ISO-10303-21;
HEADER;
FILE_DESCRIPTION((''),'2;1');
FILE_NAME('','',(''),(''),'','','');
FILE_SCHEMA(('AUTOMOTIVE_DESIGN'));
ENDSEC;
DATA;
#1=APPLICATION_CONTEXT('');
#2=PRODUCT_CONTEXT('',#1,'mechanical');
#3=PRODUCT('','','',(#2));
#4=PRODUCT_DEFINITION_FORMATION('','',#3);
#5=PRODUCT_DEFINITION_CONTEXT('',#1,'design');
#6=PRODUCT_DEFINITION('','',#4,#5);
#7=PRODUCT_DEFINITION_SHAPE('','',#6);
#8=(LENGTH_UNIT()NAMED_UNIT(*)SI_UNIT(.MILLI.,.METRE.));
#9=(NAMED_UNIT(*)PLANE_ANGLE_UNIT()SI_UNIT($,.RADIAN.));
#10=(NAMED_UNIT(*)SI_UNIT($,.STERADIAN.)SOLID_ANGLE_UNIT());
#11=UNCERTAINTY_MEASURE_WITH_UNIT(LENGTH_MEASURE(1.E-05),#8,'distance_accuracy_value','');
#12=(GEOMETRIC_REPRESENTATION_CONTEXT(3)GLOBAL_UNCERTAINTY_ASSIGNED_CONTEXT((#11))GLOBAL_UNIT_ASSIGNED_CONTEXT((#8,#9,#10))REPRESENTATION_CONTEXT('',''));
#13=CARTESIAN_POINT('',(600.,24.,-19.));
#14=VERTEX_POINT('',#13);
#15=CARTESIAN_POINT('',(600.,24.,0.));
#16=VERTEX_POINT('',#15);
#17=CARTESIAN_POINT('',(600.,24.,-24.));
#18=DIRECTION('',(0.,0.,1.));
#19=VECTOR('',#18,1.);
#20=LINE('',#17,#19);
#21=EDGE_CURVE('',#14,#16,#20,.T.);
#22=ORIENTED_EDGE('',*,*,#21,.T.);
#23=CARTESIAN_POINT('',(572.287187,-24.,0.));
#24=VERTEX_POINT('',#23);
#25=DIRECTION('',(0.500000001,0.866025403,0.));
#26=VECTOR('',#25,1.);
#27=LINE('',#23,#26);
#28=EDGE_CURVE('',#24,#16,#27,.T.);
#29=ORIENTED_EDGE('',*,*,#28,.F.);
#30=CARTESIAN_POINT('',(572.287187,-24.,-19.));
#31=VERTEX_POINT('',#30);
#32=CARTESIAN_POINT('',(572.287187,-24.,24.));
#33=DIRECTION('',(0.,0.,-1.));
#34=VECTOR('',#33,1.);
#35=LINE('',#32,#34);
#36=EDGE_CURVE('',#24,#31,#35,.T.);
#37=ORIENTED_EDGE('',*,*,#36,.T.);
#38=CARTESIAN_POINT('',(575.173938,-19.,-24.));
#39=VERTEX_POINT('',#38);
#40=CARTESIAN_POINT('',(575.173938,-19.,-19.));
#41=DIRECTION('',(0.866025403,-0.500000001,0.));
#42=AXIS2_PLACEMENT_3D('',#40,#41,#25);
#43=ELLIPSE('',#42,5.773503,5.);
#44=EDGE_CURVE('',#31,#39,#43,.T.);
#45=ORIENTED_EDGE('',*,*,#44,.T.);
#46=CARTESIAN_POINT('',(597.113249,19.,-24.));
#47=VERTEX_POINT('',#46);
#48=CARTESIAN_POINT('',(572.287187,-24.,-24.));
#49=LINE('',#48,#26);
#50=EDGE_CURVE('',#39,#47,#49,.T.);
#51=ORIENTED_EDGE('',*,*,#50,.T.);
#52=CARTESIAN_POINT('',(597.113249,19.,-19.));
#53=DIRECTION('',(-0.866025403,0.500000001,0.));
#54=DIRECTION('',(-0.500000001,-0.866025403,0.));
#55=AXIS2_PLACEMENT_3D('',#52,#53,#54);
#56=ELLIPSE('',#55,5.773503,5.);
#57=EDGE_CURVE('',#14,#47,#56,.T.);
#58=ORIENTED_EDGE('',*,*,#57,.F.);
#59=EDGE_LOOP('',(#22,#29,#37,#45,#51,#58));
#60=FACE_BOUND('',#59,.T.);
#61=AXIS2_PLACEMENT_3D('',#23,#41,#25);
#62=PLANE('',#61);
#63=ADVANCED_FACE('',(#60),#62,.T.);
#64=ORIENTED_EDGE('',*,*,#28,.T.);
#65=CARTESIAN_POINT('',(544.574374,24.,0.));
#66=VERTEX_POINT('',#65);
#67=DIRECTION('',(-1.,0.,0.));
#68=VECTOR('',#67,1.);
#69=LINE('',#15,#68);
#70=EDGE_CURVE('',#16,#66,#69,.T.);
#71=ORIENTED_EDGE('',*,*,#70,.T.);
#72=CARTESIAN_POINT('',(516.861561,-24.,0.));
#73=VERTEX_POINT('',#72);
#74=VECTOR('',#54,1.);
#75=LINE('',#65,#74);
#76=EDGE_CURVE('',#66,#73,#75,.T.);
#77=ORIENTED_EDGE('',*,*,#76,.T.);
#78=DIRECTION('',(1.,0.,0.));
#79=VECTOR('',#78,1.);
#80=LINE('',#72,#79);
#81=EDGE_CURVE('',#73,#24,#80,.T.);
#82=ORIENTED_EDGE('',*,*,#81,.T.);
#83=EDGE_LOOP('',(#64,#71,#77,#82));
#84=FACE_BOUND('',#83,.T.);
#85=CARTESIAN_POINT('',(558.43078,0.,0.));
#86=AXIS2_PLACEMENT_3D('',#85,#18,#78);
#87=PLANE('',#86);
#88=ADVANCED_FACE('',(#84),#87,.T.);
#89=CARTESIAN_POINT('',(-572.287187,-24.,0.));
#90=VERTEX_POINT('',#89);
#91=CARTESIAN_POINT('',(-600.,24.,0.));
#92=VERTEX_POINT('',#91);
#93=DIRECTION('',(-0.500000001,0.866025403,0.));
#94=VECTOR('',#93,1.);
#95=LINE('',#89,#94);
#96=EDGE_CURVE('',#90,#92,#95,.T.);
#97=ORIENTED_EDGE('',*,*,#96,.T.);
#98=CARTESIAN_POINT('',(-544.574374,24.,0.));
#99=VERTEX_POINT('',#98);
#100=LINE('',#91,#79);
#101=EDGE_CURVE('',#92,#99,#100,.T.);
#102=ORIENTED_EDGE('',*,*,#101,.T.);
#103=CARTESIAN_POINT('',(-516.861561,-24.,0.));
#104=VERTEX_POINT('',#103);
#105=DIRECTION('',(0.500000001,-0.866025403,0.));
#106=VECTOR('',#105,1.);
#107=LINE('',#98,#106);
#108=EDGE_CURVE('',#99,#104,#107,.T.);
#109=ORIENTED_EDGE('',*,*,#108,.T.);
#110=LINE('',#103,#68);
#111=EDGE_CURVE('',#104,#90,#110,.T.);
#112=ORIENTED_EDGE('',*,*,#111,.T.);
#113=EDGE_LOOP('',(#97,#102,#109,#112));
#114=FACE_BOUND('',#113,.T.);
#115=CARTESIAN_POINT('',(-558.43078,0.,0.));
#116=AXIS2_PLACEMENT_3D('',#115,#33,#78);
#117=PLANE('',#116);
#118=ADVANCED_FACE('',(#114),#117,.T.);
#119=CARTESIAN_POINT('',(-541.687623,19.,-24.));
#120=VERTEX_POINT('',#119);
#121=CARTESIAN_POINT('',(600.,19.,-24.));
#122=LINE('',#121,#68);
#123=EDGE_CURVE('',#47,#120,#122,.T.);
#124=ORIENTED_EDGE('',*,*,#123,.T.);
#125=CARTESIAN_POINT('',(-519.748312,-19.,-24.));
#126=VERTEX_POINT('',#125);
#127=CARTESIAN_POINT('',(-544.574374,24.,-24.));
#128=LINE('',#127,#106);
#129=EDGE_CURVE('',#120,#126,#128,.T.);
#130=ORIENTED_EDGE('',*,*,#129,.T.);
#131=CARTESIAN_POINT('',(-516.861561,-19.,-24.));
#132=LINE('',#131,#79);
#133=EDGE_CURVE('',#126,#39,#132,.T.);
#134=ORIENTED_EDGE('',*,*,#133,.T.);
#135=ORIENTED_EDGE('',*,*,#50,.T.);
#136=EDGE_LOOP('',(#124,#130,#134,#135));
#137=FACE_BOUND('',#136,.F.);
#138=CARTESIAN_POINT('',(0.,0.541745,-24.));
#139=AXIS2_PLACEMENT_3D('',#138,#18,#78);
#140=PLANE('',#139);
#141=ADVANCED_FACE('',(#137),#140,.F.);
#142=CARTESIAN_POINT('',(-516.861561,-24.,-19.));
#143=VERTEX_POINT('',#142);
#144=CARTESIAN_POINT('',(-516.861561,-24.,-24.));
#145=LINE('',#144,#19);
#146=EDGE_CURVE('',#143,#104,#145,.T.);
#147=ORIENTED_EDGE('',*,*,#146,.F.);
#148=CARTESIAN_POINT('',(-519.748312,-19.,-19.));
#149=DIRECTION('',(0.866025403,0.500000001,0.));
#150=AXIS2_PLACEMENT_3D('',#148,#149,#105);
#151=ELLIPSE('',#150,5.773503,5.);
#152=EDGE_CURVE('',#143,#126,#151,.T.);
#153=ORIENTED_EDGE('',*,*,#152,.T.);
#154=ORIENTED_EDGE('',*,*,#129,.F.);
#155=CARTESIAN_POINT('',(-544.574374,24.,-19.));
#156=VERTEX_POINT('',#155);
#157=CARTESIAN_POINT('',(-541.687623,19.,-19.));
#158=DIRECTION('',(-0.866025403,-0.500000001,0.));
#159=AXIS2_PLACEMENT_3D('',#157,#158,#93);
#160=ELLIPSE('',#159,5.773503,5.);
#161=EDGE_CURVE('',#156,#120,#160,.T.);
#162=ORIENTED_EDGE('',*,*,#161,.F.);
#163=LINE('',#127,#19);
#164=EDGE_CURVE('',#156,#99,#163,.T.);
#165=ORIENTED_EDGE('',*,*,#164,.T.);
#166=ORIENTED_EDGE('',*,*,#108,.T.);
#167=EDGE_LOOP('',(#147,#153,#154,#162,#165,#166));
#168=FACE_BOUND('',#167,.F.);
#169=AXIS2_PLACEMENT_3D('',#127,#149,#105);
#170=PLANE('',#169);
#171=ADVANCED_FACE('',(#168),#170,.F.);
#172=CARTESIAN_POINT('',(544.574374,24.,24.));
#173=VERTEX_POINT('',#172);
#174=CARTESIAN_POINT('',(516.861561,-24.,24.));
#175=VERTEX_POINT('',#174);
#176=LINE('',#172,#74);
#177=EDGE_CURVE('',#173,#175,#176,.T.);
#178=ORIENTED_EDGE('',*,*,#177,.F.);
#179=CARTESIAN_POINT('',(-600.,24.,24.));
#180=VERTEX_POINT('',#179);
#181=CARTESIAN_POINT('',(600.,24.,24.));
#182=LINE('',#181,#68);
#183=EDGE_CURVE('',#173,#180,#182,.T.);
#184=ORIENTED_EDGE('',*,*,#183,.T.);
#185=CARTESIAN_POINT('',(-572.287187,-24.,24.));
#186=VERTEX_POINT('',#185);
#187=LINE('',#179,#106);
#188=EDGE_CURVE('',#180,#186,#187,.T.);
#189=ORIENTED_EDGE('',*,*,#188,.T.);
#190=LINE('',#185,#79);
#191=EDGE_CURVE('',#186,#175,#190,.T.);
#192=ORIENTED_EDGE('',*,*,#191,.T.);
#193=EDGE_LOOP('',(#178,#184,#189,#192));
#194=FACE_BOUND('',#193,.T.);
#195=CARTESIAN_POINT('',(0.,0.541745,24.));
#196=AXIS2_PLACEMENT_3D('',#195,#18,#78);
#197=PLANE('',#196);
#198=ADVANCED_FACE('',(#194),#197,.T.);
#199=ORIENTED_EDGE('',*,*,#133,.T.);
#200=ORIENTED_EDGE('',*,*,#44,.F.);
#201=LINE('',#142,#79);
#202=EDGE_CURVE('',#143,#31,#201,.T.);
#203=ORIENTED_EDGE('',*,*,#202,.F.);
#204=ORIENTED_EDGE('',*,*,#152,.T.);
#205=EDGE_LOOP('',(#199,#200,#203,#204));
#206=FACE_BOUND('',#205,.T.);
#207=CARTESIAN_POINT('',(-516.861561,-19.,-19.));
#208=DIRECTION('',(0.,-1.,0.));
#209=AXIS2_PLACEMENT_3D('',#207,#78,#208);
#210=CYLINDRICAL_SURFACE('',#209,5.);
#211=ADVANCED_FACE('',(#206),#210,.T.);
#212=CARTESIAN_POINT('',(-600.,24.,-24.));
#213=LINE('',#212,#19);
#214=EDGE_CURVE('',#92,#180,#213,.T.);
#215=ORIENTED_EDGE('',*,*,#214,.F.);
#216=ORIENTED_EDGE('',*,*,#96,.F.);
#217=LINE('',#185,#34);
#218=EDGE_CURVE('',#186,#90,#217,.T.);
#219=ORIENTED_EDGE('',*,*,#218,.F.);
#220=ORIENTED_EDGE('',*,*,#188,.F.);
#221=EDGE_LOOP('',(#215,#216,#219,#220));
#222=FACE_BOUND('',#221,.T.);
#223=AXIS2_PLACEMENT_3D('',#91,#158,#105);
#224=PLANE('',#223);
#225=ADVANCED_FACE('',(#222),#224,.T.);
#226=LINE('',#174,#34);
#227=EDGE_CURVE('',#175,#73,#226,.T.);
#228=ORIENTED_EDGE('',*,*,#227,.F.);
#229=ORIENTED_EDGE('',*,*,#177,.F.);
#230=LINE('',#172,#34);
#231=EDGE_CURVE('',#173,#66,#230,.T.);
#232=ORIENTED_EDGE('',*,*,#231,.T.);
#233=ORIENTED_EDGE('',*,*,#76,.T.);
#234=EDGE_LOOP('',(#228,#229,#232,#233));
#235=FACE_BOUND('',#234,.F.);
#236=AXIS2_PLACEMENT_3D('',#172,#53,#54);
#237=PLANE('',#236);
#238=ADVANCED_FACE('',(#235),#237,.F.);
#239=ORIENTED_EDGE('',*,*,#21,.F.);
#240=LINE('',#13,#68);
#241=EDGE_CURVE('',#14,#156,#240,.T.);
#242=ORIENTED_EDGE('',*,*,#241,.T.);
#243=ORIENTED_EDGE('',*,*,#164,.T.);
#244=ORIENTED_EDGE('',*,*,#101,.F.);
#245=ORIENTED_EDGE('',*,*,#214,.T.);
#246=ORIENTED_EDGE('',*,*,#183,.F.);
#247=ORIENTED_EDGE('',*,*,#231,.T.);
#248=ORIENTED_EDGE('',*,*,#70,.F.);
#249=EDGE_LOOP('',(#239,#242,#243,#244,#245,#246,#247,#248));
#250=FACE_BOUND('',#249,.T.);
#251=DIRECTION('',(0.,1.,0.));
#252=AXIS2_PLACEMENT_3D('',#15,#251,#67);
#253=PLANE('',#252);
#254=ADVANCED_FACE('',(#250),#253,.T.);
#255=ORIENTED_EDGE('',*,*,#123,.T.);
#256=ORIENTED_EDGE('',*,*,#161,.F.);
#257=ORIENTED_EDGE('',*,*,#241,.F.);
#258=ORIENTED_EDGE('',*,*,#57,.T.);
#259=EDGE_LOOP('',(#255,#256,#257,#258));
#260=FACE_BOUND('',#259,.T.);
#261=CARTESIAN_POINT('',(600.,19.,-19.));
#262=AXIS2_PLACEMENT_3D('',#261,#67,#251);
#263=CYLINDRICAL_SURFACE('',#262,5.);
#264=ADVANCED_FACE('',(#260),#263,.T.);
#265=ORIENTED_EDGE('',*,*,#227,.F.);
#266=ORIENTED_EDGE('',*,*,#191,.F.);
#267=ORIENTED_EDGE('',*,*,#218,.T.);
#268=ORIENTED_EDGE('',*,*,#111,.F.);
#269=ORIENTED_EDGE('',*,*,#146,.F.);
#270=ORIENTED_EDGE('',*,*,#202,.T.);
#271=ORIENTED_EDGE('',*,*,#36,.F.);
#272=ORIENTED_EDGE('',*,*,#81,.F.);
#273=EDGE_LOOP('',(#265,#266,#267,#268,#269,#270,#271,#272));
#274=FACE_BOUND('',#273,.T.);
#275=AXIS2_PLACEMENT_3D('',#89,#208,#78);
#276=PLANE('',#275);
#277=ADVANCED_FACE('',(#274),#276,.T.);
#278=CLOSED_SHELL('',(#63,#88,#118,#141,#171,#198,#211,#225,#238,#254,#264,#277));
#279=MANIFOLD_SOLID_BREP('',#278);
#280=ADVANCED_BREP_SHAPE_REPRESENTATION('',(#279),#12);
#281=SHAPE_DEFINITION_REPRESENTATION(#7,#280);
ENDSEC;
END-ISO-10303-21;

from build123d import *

# Parameters (mm, degrees)
F1_DEPTH = 24
F3_DEPTH = 24
F5_DEPTH = 24
F6_R     = 5


with BuildPart() as f1:
    # F0 (on Top) → F1 (new body, symmetric)
    with BuildSketch(Plane.XY):
        Polygon((572.287187, -24), (600, 24), (-600, 24), (-572.287187, -24), align=None)
    extrude(amount=F1_DEPTH, both=True)

    # F2 (on face) → F3 (cut)
    with BuildSketch(Plane.XY.offset(24)):
        Polygon((544.574374, 24), (516.861561, -24), (572.287187, -24), (600, 24), align=None)
    extrude(amount=-F3_DEPTH, mode=Mode.SUBTRACT)

    # F4 (on face) → F5 (cut)
    with BuildSketch(Plane(origin=(0, 0, -24), x_dir=(1, 0, 0), z_dir=(0, 0, -1))):
        Polygon((-544.574374, -24), (-516.861561, 24), (-572.287187, 24), (-600, -24), align=None)
    extrude(amount=-F5_DEPTH, mode=Mode.SUBTRACT)

    # F6
    f6_edges = [f1.edges().sort_by_distance(p)[0] for p in [
        (27.712813, 24, -24),
        (27.712813, -24, -24),
    ]]
    fillet(f6_edges, radius=F6_R)


solid = f1.part
